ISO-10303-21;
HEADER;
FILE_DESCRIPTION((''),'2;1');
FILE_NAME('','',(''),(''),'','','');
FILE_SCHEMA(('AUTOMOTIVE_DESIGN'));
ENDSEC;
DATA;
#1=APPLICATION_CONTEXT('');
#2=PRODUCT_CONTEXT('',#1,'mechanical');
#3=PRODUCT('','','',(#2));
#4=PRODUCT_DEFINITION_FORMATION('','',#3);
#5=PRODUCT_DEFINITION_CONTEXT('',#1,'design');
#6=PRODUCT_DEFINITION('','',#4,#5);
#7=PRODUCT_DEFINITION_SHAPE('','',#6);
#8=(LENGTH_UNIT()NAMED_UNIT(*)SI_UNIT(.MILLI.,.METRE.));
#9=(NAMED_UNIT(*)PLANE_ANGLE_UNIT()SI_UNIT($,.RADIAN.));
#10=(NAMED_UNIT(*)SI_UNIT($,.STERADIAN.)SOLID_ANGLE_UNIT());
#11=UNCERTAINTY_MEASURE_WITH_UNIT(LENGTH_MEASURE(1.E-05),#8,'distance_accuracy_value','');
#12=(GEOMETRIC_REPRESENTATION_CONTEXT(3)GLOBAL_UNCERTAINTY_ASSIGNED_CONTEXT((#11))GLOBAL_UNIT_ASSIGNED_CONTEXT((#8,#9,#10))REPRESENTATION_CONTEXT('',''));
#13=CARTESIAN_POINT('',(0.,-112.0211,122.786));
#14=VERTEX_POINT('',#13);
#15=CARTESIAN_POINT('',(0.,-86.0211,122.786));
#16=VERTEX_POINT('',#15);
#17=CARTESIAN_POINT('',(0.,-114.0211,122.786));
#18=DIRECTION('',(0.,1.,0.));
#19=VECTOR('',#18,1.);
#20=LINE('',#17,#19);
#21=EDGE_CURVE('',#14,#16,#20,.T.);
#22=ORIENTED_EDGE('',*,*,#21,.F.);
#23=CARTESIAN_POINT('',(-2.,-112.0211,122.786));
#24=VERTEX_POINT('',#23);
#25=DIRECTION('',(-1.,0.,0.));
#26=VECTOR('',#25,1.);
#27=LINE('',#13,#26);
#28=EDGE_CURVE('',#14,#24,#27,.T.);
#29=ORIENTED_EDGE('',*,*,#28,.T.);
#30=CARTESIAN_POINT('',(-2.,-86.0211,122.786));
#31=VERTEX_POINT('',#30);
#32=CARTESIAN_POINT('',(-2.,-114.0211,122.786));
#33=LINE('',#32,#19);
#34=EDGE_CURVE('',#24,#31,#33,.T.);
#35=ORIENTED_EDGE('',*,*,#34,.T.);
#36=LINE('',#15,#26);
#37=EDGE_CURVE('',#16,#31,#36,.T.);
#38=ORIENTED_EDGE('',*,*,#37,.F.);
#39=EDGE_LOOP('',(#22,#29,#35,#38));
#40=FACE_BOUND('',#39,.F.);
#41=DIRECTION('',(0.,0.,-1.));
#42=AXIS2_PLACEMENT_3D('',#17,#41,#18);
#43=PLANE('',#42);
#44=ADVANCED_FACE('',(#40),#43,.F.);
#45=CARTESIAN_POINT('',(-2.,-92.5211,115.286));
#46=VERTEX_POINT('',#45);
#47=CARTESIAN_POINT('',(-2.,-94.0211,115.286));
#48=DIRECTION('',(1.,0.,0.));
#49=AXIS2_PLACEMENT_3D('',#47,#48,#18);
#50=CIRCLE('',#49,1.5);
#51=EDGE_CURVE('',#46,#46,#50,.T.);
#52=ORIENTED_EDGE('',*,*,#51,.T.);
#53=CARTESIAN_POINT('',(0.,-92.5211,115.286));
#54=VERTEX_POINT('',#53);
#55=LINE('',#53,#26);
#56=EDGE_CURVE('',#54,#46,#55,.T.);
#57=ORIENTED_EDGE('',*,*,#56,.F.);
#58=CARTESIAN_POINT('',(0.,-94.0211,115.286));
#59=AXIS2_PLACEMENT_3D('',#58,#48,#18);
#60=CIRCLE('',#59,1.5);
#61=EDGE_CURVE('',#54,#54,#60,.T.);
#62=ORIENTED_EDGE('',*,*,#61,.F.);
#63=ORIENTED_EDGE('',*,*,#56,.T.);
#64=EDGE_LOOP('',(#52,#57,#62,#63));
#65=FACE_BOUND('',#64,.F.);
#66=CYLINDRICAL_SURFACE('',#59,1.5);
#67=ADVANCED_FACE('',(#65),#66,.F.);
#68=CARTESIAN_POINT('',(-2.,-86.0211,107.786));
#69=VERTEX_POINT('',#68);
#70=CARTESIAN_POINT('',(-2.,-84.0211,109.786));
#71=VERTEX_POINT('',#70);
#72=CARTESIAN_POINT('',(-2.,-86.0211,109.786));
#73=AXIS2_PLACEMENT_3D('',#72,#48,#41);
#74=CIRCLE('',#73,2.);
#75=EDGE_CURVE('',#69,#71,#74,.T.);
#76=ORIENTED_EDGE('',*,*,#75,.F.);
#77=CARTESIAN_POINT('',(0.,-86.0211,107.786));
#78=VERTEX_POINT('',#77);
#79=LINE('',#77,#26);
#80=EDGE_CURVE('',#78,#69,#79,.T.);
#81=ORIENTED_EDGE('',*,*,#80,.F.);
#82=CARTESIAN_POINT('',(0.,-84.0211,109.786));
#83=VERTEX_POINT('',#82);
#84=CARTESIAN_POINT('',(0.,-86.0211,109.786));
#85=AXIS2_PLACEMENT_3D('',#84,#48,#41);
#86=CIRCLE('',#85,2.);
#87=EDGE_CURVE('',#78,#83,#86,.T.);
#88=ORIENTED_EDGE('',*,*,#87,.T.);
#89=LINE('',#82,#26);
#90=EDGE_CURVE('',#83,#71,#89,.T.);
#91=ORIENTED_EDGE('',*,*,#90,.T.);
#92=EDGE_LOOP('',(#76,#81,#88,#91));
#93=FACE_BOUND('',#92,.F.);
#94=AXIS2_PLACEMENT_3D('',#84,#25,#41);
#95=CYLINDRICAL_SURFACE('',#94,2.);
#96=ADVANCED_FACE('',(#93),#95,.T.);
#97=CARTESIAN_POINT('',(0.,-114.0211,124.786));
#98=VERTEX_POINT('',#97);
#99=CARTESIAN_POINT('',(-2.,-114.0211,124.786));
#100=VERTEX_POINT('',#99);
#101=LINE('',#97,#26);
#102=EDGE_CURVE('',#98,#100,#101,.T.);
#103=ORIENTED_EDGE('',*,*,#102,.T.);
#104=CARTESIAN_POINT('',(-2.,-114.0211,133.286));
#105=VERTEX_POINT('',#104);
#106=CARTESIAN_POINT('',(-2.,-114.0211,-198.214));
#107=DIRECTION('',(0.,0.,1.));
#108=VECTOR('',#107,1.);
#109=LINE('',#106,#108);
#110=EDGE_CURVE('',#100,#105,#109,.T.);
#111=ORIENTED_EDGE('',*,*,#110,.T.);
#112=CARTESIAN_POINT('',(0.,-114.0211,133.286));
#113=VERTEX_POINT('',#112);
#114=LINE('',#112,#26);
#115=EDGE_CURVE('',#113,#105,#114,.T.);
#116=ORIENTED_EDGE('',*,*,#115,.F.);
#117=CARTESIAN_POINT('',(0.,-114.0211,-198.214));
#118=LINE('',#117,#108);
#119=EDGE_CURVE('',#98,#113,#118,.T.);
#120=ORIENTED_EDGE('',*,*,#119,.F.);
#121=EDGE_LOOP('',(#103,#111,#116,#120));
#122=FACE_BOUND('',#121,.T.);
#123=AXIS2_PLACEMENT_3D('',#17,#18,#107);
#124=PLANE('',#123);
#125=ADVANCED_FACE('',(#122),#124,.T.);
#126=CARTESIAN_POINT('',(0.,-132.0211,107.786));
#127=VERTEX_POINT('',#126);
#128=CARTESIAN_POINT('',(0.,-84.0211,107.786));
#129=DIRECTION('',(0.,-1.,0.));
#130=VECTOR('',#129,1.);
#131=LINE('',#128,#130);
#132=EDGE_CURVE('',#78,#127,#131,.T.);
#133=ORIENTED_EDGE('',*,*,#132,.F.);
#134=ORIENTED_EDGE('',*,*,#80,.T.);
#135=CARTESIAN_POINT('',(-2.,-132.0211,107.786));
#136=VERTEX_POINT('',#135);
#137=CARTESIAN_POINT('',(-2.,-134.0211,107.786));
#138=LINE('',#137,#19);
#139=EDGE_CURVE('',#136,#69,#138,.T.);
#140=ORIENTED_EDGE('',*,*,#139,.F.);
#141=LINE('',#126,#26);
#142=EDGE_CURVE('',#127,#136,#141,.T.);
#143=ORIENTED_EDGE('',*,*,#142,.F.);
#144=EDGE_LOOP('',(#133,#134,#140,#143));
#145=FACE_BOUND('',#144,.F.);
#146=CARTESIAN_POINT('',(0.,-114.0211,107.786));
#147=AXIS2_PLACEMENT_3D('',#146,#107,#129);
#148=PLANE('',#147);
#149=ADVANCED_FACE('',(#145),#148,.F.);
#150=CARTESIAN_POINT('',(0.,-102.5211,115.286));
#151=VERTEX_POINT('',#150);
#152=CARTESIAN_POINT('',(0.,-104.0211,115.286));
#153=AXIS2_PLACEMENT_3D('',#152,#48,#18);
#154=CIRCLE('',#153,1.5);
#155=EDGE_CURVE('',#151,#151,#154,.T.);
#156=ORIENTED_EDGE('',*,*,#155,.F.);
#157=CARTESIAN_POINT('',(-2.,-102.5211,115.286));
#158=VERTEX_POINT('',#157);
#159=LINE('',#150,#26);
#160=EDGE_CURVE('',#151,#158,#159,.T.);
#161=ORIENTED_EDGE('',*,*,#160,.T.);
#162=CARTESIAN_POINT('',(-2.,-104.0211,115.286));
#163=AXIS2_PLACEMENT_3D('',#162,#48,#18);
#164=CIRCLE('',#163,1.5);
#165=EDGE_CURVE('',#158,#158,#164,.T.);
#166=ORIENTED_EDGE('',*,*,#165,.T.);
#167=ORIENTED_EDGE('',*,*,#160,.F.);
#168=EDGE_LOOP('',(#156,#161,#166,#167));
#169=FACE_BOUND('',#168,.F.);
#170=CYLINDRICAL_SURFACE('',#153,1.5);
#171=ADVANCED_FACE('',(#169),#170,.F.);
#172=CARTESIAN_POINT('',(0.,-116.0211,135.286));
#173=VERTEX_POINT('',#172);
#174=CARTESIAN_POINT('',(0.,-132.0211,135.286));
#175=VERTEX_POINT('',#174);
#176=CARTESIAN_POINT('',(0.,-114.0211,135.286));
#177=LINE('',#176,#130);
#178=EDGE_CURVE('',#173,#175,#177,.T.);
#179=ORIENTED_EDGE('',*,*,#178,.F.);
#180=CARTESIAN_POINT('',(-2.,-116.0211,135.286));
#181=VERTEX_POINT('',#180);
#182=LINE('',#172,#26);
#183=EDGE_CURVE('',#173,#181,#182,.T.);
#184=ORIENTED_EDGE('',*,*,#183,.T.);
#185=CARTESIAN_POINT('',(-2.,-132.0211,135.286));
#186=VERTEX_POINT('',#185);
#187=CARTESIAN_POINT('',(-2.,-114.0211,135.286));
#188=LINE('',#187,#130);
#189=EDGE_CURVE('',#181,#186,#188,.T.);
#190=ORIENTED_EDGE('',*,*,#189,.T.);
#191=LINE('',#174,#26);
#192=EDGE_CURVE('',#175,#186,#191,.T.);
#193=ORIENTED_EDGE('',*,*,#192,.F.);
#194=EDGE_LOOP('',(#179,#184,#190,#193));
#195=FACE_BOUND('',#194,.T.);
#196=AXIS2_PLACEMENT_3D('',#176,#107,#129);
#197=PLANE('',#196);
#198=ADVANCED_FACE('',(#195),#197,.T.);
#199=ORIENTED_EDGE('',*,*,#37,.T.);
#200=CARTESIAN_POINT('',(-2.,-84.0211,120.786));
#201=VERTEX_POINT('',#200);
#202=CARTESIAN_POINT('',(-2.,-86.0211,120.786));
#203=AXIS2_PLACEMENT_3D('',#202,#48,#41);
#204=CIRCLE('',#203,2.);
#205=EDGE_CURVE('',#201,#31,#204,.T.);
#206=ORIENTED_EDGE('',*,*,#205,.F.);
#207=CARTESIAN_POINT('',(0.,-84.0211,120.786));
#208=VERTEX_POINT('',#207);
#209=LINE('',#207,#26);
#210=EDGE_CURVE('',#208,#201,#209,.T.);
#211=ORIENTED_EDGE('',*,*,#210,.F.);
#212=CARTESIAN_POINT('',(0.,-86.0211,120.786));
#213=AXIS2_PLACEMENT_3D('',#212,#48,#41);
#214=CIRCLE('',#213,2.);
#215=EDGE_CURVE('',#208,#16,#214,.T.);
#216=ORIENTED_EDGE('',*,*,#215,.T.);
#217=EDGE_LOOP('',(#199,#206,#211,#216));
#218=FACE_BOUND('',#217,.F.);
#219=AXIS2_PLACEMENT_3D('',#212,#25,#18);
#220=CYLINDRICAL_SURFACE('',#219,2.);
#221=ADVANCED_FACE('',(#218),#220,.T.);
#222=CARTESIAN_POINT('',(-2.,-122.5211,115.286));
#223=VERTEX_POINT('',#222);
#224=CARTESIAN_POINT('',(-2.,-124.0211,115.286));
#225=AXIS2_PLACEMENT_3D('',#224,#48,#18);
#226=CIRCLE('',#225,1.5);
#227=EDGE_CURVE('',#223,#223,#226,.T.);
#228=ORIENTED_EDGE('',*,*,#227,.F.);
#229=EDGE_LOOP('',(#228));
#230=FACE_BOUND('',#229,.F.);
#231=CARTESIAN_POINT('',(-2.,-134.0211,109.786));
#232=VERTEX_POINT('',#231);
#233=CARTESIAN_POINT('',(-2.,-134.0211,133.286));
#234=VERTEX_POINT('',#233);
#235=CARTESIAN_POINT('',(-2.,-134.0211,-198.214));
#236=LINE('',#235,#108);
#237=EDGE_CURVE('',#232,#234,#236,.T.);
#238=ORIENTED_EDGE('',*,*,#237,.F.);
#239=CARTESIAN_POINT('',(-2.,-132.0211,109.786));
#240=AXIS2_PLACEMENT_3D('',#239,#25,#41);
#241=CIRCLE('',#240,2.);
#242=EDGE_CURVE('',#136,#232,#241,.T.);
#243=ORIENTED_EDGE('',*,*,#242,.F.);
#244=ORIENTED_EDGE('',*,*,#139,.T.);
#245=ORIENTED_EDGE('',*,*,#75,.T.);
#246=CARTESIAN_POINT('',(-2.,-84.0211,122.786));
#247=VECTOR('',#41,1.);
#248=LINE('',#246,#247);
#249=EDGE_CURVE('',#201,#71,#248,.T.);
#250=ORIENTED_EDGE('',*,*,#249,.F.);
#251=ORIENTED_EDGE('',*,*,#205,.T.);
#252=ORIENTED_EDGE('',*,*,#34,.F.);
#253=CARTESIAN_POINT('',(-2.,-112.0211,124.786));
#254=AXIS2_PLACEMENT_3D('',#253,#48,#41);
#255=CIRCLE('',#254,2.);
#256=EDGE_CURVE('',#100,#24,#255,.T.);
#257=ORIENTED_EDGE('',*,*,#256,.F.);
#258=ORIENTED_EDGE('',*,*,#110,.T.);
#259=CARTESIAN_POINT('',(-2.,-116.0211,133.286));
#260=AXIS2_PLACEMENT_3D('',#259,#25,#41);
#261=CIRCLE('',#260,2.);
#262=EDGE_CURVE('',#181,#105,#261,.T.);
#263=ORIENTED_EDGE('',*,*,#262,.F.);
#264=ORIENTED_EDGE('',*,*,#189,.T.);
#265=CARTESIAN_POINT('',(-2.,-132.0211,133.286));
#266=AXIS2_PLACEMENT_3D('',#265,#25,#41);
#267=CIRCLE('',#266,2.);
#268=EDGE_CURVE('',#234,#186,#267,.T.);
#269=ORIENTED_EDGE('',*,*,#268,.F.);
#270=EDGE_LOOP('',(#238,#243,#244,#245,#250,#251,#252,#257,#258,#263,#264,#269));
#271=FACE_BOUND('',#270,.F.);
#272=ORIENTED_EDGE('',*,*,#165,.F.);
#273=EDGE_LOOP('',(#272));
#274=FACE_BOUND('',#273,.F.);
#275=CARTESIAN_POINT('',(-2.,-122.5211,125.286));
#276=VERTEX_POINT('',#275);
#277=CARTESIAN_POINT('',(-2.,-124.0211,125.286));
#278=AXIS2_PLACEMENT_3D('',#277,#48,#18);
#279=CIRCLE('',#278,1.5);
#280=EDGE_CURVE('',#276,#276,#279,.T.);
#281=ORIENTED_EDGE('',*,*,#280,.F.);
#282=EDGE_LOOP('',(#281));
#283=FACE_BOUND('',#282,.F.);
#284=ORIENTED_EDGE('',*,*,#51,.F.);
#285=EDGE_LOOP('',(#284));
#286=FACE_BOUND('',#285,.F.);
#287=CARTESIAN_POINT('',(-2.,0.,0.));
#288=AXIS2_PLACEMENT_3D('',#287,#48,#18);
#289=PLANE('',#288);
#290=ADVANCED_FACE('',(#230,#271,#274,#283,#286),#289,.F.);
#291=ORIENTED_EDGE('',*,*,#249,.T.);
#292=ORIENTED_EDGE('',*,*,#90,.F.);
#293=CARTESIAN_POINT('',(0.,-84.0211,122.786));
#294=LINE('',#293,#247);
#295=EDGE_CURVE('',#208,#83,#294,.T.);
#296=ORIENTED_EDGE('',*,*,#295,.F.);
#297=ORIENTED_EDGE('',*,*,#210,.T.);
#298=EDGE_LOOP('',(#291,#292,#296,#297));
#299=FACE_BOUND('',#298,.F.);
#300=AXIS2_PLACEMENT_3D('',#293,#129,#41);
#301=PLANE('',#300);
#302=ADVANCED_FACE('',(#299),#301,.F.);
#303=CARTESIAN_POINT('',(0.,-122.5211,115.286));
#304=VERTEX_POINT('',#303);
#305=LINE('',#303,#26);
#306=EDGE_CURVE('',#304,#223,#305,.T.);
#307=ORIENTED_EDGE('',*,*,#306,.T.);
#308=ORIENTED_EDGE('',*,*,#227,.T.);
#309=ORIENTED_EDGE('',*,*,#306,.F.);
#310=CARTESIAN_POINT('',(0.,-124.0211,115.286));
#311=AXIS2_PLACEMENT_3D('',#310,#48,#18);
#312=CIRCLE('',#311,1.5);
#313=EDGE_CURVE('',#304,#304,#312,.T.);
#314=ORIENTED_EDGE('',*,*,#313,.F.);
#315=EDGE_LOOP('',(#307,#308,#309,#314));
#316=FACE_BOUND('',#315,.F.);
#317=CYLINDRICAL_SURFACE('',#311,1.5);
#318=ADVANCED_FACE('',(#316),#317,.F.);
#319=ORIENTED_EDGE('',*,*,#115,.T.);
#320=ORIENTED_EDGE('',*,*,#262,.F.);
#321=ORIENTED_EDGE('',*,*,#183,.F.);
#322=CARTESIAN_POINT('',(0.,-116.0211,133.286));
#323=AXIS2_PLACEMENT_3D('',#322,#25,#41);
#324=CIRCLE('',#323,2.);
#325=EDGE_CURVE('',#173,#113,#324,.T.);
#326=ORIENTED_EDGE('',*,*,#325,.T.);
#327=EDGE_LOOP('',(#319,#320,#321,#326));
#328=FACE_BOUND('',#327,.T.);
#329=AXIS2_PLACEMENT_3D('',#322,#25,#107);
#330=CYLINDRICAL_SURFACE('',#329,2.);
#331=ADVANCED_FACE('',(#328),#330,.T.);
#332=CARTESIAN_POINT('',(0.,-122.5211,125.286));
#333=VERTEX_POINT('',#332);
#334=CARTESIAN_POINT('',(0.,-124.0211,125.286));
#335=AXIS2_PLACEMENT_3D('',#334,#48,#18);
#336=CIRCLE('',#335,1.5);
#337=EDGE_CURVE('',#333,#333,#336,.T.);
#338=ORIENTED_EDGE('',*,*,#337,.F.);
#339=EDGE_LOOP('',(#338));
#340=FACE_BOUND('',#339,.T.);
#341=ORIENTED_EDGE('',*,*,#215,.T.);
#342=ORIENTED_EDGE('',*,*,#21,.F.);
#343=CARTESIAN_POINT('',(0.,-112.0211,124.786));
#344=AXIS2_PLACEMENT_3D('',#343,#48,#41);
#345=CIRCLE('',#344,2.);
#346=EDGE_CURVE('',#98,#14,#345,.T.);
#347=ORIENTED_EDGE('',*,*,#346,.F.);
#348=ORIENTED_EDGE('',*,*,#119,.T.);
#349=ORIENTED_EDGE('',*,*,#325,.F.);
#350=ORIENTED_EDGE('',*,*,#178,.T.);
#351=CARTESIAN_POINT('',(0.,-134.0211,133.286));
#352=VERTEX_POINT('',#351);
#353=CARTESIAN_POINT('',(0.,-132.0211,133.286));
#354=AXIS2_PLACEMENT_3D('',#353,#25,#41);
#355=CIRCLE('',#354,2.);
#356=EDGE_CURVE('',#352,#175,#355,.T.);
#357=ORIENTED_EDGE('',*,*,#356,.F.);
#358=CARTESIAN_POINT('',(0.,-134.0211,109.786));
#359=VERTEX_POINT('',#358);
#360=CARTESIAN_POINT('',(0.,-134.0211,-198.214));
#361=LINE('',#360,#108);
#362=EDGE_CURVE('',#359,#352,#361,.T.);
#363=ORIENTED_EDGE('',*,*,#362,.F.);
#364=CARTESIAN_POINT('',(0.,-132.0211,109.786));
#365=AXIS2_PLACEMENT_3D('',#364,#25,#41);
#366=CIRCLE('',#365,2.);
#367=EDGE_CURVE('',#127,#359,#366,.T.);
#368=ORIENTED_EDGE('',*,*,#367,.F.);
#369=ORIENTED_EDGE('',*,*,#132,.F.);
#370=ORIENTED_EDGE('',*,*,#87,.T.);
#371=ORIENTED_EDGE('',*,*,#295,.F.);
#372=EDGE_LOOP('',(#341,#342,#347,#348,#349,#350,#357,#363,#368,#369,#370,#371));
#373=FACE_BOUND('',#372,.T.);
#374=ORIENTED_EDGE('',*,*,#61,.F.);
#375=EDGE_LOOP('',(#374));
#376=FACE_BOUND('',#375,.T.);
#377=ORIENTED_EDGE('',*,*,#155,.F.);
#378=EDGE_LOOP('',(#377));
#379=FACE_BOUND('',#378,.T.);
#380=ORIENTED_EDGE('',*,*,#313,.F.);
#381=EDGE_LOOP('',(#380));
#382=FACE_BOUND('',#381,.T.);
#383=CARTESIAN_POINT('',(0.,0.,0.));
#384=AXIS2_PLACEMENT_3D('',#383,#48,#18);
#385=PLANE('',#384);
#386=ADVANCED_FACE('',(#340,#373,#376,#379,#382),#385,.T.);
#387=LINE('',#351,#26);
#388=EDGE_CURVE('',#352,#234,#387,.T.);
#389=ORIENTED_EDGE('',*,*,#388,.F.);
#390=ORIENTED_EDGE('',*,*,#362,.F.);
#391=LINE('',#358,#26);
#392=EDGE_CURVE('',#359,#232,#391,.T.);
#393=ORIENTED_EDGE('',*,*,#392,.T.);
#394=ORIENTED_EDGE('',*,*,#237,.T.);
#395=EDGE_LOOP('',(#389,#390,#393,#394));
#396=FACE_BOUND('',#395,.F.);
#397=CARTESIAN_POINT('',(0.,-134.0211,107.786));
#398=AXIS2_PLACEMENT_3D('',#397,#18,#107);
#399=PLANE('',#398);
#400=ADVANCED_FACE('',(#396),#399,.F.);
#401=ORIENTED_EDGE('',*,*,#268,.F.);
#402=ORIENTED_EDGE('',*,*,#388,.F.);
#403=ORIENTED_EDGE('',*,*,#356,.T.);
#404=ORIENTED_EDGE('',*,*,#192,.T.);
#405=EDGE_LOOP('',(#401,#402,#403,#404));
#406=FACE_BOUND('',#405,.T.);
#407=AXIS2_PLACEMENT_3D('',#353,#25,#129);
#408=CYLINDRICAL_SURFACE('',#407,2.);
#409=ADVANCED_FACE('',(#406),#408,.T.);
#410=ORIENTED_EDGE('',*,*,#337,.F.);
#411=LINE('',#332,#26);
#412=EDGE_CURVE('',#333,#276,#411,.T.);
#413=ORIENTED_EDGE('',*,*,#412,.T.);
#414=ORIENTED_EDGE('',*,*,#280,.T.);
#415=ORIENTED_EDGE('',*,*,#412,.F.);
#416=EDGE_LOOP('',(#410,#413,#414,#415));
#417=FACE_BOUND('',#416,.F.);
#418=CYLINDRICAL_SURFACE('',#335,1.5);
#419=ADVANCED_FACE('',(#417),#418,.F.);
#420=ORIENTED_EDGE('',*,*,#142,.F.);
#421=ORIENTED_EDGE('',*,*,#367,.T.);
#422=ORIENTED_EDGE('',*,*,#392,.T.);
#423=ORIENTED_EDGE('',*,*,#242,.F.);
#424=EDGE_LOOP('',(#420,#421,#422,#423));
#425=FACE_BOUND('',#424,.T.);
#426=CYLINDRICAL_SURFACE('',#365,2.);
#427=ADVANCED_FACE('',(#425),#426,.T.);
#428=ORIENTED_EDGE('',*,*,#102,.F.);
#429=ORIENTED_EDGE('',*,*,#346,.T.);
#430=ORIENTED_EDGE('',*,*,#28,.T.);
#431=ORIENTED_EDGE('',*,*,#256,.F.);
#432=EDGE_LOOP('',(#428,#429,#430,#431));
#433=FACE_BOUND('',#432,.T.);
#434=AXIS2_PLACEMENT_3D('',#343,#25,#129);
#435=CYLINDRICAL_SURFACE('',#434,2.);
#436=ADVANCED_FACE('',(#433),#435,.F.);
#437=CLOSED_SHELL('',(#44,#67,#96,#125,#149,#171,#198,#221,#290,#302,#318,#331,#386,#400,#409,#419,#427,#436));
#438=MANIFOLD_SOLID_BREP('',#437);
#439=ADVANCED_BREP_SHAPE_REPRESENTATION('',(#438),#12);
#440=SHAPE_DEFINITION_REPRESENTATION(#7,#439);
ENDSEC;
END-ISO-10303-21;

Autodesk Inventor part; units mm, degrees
ref_plane "YZ Plane" through (0, 0, 0) normal (1, 0, 0) x (0, 1, 0)
ref_plane "XZ Plane" through (0, 0, 0) normal (0, 1, 0) x (-1, 0, 0)
ref_plane "XY Plane" through (0, 0, 0) normal (0, 0, 1) x (1, 0, 0)
sketch "スケッチ1" plane through (0, 0, 0) normal (1, 0, 0) x (0, 1, 0)
  line L0 (-114.0211, -198.214) -> (-114.0211, 205.786)
  line L1 (-114.0211, 122.786) -> (139.9789, 122.786)
  line L2 (139.9789, 122.786) -> (139.9789, 107.786)
  line L3 (139.9789, 107.786) -> (-114.0211, 107.786)
  line L4 (-114.0211, 107.786) -> (-114.0211, 122.786)
  line L5 (-74.0211, 147.286) -> (134.9789, 147.286)
  line L6 (134.9789, 147.286) -> (134.9789, -139.714)
  line L7 (134.9789, -139.714) -> (-74.0211, -139.714)
  line L8 (-74.0211, -139.714) -> (-74.0211, 147.286)
  line L9 (-134.0211, -198.214) -> (-134.0211, 205.786)
  line L10 (-134.0211, 3.786) -> (-114.0211, 3.786)
  line L11 (-114.0211, 205.786) -> (-134.0211, 205.786)
  line L12 (-114.0211, -115.214) -> (139.9789, -115.214)
  line L13 (139.9789, -100.214) -> (-114.0211, -100.214)
  line L14 (139.9789, -115.214) -> (139.9789, -100.214)
  line L15 (92.4789, 157.286) -> (82.4789, 157.286)
  line L16 (82.4789, 157.286) -> (82.4789, 3.786)
  line L17 (82.4789, 3.786) -> (92.4789, 3.786)
  line L18 (92.4789, 3.786) -> (92.4789, 157.286)
  line L19 (-21.5211, 157.286) -> (-31.5211, 157.286)
  line L20 (-31.5211, 157.286) -> (-31.5211, 3.786)
  line L21 (-31.5211, 3.786) -> (-21.5211, 3.786)
  line L22 (-21.5211, 3.786) -> (-21.5211, 157.286)
  line L23 (-114.0211, 135.286) -> (-134.0211, 135.286)
  line L24 (-84.0211, 122.786) -> (-84.0211, 107.786)
  circle A0 centre (-124.0211, 115.286) radius 1.5
  circle A1 centre (-124.0211, 125.286) radius 1.5
  line L25 (-114.0211, 135.286) -> (-114.0211, 122.786)
  line L26 (-114.0211, 107.786) -> (-134.0211, 107.786)
  line L27 (-134.0211, 135.286) -> (-134.0211, 107.786)
  circle A2 centre (-104.0211, 115.286) radius 1.5
  circle A3 centre (-94.0211, 115.286) radius 1.5
  line L28 (-84.0211, 107.786) -> (-64.0211, 107.786)
  line L29 (-64.0211, 107.786) -> (-64.0211, 101.786)
  line L30 (-64.0211, 101.786) -> (-84.0211, 101.786)
  line L31 (-84.0211, 101.786) -> (-84.0211, 107.786)
  line L32 (-31.5211, 157.286) -> (-37.5211, 157.286)
  line L33 (-37.5211, 157.286) -> (-37.5211, 137.286)
  line L34 (-37.5211, 137.286) -> (-31.5211, 137.286)
  line L35 (-31.5211, 137.286) -> (-31.5211, 157.286)
  line L36 (92.4789, 157.286) -> (98.4789, 157.286)
  line L37 (98.4789, 157.286) -> (98.4789, 137.286)
  line L38 (98.4789, 137.286) -> (92.4789, 137.286)
  line L39 (92.4789, 137.286) -> (92.4789, 157.286)
  line L40 (30.4789, 147.286) -> (30.4789, -139.714)
  line L41 (134.9789, 3.786) -> (-114.0211, 3.786)
  line L42 (-114.0211, 205.786) -> (-114.0211, -198.214)
  line L43 (-84.0211, -94.214) -> (-84.0211, -100.214)
  line L44 (-64.0211, -94.214) -> (-84.0211, -94.214)
  line L45 (-64.0211, -100.214) -> (-64.0211, -94.214)
  line L46 (-84.0211, -115.214) -> (-84.0211, -100.214)
  circle A4 centre (-94.0211, -107.714) radius 1.5
  circle A5 centre (-104.0211, -107.714) radius 1.5
  circle A6 centre (-124.0211, -107.714) radius 1.5
  circle A7 centre (-124.0211, -117.714) radius 1.5
  line L47 (-114.0211, -127.714) -> (-134.0211, -127.714)
  line L48 (-114.0211, -100.214) -> (-134.0211, -100.214)
  line L49 (-37.5211, -149.714) -> (-37.5211, -129.714)
  line L50 (-31.5211, -149.714) -> (-37.5211, -149.714)
  line L51 (-21.5211, -149.714) -> (-31.5211, -149.714)
  line L52 (-31.5211, -149.714) -> (-31.5211, 3.786)
  line L53 (-21.5211, 3.786) -> (-21.5211, -149.714)
  line L54 (-37.5211, -129.714) -> (-31.5211, -129.714)
  line L55 (82.4789, -149.714) -> (82.4789, 3.786)
  line L56 (92.4789, -149.714) -> (82.4789, -149.714)
  line L57 (92.4789, -149.714) -> (98.4789, -149.714)
  line L58 (98.4789, -149.714) -> (98.4789, -129.714)
  line L59 (98.4789, -129.714) -> (92.4789, -129.714)
  line L60 (92.4789, 3.786) -> (92.4789, -149.714)
  circle A8 centre (-26.5211, 115.286) radius 1.5
  circle A9 centre (87.4789, 115.286) radius 1.5
  circle A10 centre (87.4789, -107.714) radius 1.5
  circle A11 centre (-26.5211, -107.714) radius 1.5
  line L61 (-114.0211, 122.786) -> (-114.0211, 107.786)
  line L62 (-114.0211, -100.214) -> (-114.0211, -115.214)
  point P0 (0, 0)
  point P1 (-114.0211, 3.786)
  point P2 (-114.0211, 3.786)
  point P3 (-114.0211, 107.786)
  dimension "d0" = 15
  dimension "d1" = 287
  dimension "d2" = 209
  dimension "d3" = 83
  dimension "d4" = 10
  dimension "d5" = 10
  dimension "d6" = 30
  dimension "d7" = 3
  dimension "d8" = 7.5
  dimension "d9" = 10
  dimension "d10" = 3
  dimension "d11" = 10
  dimension "d12" = 10
  dimension "d13" = 10
  dimension "d14" = 3
  dimension "d15" = 3
  dimension "d16" = 10
  dimension "d17" = 10
  dimension "d18" = 7.5
  dimension "d19" = 7.5
  dimension "d20" = 6
  dimension "d21" = 10
  dimension "d22" = 10
  dimension "d23" = 5
  dimension "d24" = 143.5
  dimension "d25" = 10
  dimension "d26" = 6
  dimension "d27" = 20
  dimension "d28" = 10
  dimension "d29" = 6
  dimension "d30" = 20
  dimension "d31" = 0
  dimension "d32" = 0
  dimension "d33" = 52
  dimension "d34" = 52
  dimension "d35" = 3
  dimension "d36" = 3
  dimension "d37" = 5
  dimension "d38" = 7.5
  dimension "d39" = 7.5
  dimension "d40" = 5
extrude "押し出し1" add sketch "スケッチ1" against normal blind 2 contours L26 L9 L23 L0 | L0 L1 L24 L3
fillet "フィレット1" radius 2 6 edges at (-1, -84.0211, 122.786) (-1, -84.0211, 107.786) (-1, -114.0211, 122.786) (-1, -114.0211, 135.286) (-1, -134.0211, 135.286) (-1, -134.0211, 107.786)
equation "\"d13\" = d9"
equation "\"d17\" = d16"
equation "\"d19\" = d18"
equation "\"d34\" = d33"
properties part number "base_weel-v2-Plate-8" material "アルミニウム 6061"
